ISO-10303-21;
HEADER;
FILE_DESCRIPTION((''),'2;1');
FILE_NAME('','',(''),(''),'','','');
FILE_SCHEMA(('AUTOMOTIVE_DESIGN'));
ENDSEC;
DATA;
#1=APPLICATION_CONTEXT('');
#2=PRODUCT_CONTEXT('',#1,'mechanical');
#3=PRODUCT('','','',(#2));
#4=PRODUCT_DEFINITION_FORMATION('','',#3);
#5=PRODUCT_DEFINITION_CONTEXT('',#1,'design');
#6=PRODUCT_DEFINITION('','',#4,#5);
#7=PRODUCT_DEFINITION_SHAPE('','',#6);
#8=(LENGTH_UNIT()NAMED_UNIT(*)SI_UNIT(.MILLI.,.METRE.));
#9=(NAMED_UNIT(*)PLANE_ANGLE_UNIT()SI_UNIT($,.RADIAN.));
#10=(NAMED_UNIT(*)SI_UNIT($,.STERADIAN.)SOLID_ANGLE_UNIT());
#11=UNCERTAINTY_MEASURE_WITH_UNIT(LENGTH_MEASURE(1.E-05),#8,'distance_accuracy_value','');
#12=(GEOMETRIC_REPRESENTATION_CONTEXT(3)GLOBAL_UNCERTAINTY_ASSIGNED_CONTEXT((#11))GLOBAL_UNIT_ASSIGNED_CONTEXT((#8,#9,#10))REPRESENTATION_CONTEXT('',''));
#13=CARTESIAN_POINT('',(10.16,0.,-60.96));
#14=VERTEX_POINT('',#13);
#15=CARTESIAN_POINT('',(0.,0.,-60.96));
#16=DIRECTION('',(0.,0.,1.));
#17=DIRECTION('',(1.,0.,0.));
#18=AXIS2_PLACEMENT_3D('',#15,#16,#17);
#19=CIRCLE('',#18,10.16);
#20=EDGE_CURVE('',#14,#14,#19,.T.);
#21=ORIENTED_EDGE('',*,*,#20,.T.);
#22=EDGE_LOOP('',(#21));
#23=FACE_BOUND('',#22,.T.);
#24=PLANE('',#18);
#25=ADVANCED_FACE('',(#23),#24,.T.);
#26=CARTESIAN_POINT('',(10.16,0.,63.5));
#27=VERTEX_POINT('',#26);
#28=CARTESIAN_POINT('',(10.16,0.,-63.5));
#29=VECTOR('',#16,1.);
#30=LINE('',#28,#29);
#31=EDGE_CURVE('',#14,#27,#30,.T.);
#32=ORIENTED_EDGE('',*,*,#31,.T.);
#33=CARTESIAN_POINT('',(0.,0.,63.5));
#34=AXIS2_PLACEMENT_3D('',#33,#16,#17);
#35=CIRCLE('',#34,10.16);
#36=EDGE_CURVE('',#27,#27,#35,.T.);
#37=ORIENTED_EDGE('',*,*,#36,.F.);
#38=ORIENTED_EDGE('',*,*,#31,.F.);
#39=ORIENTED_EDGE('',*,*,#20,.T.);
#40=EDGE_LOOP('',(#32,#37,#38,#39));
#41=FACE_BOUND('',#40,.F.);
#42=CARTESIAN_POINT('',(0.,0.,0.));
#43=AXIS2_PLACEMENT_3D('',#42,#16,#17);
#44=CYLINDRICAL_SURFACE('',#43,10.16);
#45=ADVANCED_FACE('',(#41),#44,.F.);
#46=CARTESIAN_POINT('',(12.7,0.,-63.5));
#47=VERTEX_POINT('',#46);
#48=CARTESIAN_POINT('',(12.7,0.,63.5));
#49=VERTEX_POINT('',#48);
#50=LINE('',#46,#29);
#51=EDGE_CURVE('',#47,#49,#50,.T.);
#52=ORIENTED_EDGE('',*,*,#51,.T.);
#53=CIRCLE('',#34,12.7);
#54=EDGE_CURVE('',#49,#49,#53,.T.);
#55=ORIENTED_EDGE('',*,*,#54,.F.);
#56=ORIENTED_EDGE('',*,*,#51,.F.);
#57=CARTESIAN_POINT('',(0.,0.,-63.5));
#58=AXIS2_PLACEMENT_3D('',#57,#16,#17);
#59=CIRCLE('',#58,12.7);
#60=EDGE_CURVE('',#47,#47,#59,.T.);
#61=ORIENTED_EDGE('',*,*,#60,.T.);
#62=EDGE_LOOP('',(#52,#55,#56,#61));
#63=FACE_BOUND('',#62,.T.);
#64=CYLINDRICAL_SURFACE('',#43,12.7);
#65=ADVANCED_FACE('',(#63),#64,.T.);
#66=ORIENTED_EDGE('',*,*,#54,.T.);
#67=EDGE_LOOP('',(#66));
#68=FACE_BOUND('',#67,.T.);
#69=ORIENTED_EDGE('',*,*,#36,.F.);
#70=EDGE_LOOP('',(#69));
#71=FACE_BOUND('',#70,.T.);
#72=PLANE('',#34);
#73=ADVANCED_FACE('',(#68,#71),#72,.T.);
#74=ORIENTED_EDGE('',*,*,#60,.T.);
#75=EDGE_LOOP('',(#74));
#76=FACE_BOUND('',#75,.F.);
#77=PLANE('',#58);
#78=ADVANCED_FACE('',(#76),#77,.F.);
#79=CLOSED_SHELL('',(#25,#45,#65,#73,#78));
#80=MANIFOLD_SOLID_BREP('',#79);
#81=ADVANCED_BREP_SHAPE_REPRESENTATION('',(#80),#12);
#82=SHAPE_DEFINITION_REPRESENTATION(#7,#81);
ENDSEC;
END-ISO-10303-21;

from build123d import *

# Parameters (mm, degrees)
F0_R     = 12.7
F1_DEPTH = 63.5
F2_T     = -2.54


with BuildPart() as f1:
    # F0 (on Top) → F1 (new body, symmetric)
    with BuildSketch(Plane.XY):
        Circle(F0_R)
    extrude(amount=F1_DEPTH, both=True)

    # F2
    f2_openings = [f1.faces().sort_by_distance(p)[0] for p in [
        (0, 0, 63.5),
    ]]
    offset(amount=F2_T, openings=f2_openings)


solid = f1.part
